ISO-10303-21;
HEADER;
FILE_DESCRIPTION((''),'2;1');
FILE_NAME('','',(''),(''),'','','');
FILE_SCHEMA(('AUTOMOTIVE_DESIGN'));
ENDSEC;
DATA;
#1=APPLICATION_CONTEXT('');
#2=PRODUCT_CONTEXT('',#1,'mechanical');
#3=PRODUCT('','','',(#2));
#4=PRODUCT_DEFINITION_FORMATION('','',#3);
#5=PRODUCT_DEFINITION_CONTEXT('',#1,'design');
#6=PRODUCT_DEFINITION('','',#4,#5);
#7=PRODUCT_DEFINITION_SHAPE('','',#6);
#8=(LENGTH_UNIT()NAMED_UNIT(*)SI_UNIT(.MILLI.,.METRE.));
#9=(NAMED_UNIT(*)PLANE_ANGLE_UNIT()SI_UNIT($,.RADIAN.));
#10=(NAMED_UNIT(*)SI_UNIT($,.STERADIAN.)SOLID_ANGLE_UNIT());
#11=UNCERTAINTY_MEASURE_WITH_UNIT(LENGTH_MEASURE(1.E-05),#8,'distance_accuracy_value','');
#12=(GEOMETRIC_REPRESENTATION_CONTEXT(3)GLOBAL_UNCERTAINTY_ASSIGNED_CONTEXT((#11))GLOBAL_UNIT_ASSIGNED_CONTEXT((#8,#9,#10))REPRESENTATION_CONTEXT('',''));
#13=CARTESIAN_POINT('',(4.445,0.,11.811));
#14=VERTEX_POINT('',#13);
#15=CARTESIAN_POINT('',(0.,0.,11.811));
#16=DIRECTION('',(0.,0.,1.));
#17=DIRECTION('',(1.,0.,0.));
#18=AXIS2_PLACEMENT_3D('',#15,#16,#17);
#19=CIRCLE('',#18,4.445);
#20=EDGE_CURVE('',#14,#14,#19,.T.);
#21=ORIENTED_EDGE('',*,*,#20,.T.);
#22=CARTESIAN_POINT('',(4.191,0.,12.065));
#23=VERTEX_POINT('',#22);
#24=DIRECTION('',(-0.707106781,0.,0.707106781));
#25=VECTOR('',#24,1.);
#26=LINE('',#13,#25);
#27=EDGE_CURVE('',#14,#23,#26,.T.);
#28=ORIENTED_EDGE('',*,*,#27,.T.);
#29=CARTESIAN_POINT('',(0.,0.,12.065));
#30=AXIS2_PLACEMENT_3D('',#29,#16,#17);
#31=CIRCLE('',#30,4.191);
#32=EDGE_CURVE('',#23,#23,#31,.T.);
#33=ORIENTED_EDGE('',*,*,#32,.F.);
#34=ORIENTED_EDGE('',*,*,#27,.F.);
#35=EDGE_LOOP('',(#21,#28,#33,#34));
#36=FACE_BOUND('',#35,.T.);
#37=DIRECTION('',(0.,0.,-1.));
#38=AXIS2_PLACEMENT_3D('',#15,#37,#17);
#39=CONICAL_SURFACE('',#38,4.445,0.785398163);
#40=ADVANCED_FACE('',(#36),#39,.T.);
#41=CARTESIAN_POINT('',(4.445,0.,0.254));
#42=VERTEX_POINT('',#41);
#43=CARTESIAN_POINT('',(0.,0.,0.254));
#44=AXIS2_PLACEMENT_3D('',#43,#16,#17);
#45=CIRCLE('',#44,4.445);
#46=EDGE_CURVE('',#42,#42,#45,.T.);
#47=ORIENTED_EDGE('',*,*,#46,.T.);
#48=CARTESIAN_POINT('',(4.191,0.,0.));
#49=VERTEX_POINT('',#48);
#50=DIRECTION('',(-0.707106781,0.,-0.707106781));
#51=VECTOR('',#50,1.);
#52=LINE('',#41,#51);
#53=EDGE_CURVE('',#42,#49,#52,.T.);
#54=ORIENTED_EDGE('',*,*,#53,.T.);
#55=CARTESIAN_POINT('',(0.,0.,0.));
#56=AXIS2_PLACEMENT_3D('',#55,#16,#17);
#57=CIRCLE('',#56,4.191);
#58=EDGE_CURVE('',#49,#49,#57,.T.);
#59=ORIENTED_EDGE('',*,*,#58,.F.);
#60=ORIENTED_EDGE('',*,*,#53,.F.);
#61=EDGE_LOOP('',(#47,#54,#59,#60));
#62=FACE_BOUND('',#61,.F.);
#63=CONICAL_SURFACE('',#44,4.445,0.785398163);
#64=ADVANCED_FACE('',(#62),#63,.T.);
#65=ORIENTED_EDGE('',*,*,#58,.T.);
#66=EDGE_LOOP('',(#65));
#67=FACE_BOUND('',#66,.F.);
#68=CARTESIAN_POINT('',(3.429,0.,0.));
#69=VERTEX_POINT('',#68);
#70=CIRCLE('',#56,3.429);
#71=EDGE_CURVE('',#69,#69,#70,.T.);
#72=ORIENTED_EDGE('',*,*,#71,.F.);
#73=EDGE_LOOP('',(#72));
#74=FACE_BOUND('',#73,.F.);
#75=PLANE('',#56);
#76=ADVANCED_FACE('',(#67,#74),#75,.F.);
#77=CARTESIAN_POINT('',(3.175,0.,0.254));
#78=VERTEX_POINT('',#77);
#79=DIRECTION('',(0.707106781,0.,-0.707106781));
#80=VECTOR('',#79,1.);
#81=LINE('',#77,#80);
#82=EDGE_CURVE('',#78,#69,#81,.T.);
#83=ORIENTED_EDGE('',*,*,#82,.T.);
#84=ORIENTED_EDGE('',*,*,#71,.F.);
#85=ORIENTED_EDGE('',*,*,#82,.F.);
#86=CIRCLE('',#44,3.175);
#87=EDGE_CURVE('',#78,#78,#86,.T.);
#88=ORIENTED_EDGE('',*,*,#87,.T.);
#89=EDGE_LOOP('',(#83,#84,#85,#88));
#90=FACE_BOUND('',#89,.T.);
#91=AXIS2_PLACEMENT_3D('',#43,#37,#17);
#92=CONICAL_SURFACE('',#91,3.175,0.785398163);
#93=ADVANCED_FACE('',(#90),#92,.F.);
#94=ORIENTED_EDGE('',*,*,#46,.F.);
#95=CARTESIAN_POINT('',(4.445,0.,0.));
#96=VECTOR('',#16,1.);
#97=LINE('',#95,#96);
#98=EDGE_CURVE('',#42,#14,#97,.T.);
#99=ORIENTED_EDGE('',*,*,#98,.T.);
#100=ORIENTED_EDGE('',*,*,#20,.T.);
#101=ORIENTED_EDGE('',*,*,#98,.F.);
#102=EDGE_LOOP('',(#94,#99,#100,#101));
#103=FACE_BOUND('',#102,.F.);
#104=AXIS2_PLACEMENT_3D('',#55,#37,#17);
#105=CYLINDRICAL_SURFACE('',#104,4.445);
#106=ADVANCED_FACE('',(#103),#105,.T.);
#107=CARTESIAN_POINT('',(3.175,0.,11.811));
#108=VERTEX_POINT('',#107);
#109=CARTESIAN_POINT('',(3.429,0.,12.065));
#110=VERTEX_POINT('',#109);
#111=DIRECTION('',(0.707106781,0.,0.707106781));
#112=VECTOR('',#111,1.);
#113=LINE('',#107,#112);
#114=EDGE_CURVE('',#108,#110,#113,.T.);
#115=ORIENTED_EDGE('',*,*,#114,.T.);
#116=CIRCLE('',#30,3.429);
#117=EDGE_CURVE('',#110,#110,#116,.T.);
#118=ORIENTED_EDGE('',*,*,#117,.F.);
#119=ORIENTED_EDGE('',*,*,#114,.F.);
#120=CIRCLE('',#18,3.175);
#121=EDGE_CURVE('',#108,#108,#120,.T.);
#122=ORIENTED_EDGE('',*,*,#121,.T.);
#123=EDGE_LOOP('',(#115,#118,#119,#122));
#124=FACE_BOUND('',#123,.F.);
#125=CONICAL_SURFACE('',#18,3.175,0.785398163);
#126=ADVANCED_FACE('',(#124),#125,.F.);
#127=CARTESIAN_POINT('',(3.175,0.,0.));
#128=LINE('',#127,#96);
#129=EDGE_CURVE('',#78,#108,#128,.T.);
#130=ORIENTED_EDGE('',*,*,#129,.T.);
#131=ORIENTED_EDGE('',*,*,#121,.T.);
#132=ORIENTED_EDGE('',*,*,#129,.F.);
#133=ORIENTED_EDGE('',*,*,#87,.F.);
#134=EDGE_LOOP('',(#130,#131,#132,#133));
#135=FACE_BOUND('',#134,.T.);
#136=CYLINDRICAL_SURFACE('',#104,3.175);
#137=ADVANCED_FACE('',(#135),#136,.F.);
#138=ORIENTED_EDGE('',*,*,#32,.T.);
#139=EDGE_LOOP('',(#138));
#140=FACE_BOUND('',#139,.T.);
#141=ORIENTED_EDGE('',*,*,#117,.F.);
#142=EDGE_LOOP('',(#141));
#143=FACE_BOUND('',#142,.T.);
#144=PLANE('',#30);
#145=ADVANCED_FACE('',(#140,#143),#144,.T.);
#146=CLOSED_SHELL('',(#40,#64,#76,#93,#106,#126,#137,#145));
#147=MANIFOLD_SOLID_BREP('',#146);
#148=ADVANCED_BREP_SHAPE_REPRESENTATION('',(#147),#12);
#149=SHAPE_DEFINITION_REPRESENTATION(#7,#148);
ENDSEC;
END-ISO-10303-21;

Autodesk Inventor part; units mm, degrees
ref_plane "YZ Plane" through (0, 0, 0) normal (1, 0, 0) x (0, 1, 0)
ref_plane "XZ Plane" through (0, 0, 0) normal (0, 1, 0) x (-1, 0, 0)
ref_plane "XY Plane" through (0, 0, 0) normal (0, 0, 1) x (1, 0, 0)
sketch "Sketch1" plane through (0, 0, 0) normal (0, 0, 1) x (1, 0, 0)
  circle A0 centre (0, 0) radius 4.445
  circle A1 centre (0, 0) radius 3.175
  dimension "d0" = 8.89
  dimension "d1" = 6.35
extrude "Extrusion1" add sketch "Sketch1" along normal blind 12.065
chamfer "Chamfer1" distance 0.254 angle 45 4 edges at (-4.445, 0, 12.065) (-3.175, 0, 12.065) (-4.445, 0, 0) (-3.175, 0, 0)
properties part number "Rebuild Shooter NCDME075-0600 Cylinder Bushing" material "Brass, Soft Yellow"
